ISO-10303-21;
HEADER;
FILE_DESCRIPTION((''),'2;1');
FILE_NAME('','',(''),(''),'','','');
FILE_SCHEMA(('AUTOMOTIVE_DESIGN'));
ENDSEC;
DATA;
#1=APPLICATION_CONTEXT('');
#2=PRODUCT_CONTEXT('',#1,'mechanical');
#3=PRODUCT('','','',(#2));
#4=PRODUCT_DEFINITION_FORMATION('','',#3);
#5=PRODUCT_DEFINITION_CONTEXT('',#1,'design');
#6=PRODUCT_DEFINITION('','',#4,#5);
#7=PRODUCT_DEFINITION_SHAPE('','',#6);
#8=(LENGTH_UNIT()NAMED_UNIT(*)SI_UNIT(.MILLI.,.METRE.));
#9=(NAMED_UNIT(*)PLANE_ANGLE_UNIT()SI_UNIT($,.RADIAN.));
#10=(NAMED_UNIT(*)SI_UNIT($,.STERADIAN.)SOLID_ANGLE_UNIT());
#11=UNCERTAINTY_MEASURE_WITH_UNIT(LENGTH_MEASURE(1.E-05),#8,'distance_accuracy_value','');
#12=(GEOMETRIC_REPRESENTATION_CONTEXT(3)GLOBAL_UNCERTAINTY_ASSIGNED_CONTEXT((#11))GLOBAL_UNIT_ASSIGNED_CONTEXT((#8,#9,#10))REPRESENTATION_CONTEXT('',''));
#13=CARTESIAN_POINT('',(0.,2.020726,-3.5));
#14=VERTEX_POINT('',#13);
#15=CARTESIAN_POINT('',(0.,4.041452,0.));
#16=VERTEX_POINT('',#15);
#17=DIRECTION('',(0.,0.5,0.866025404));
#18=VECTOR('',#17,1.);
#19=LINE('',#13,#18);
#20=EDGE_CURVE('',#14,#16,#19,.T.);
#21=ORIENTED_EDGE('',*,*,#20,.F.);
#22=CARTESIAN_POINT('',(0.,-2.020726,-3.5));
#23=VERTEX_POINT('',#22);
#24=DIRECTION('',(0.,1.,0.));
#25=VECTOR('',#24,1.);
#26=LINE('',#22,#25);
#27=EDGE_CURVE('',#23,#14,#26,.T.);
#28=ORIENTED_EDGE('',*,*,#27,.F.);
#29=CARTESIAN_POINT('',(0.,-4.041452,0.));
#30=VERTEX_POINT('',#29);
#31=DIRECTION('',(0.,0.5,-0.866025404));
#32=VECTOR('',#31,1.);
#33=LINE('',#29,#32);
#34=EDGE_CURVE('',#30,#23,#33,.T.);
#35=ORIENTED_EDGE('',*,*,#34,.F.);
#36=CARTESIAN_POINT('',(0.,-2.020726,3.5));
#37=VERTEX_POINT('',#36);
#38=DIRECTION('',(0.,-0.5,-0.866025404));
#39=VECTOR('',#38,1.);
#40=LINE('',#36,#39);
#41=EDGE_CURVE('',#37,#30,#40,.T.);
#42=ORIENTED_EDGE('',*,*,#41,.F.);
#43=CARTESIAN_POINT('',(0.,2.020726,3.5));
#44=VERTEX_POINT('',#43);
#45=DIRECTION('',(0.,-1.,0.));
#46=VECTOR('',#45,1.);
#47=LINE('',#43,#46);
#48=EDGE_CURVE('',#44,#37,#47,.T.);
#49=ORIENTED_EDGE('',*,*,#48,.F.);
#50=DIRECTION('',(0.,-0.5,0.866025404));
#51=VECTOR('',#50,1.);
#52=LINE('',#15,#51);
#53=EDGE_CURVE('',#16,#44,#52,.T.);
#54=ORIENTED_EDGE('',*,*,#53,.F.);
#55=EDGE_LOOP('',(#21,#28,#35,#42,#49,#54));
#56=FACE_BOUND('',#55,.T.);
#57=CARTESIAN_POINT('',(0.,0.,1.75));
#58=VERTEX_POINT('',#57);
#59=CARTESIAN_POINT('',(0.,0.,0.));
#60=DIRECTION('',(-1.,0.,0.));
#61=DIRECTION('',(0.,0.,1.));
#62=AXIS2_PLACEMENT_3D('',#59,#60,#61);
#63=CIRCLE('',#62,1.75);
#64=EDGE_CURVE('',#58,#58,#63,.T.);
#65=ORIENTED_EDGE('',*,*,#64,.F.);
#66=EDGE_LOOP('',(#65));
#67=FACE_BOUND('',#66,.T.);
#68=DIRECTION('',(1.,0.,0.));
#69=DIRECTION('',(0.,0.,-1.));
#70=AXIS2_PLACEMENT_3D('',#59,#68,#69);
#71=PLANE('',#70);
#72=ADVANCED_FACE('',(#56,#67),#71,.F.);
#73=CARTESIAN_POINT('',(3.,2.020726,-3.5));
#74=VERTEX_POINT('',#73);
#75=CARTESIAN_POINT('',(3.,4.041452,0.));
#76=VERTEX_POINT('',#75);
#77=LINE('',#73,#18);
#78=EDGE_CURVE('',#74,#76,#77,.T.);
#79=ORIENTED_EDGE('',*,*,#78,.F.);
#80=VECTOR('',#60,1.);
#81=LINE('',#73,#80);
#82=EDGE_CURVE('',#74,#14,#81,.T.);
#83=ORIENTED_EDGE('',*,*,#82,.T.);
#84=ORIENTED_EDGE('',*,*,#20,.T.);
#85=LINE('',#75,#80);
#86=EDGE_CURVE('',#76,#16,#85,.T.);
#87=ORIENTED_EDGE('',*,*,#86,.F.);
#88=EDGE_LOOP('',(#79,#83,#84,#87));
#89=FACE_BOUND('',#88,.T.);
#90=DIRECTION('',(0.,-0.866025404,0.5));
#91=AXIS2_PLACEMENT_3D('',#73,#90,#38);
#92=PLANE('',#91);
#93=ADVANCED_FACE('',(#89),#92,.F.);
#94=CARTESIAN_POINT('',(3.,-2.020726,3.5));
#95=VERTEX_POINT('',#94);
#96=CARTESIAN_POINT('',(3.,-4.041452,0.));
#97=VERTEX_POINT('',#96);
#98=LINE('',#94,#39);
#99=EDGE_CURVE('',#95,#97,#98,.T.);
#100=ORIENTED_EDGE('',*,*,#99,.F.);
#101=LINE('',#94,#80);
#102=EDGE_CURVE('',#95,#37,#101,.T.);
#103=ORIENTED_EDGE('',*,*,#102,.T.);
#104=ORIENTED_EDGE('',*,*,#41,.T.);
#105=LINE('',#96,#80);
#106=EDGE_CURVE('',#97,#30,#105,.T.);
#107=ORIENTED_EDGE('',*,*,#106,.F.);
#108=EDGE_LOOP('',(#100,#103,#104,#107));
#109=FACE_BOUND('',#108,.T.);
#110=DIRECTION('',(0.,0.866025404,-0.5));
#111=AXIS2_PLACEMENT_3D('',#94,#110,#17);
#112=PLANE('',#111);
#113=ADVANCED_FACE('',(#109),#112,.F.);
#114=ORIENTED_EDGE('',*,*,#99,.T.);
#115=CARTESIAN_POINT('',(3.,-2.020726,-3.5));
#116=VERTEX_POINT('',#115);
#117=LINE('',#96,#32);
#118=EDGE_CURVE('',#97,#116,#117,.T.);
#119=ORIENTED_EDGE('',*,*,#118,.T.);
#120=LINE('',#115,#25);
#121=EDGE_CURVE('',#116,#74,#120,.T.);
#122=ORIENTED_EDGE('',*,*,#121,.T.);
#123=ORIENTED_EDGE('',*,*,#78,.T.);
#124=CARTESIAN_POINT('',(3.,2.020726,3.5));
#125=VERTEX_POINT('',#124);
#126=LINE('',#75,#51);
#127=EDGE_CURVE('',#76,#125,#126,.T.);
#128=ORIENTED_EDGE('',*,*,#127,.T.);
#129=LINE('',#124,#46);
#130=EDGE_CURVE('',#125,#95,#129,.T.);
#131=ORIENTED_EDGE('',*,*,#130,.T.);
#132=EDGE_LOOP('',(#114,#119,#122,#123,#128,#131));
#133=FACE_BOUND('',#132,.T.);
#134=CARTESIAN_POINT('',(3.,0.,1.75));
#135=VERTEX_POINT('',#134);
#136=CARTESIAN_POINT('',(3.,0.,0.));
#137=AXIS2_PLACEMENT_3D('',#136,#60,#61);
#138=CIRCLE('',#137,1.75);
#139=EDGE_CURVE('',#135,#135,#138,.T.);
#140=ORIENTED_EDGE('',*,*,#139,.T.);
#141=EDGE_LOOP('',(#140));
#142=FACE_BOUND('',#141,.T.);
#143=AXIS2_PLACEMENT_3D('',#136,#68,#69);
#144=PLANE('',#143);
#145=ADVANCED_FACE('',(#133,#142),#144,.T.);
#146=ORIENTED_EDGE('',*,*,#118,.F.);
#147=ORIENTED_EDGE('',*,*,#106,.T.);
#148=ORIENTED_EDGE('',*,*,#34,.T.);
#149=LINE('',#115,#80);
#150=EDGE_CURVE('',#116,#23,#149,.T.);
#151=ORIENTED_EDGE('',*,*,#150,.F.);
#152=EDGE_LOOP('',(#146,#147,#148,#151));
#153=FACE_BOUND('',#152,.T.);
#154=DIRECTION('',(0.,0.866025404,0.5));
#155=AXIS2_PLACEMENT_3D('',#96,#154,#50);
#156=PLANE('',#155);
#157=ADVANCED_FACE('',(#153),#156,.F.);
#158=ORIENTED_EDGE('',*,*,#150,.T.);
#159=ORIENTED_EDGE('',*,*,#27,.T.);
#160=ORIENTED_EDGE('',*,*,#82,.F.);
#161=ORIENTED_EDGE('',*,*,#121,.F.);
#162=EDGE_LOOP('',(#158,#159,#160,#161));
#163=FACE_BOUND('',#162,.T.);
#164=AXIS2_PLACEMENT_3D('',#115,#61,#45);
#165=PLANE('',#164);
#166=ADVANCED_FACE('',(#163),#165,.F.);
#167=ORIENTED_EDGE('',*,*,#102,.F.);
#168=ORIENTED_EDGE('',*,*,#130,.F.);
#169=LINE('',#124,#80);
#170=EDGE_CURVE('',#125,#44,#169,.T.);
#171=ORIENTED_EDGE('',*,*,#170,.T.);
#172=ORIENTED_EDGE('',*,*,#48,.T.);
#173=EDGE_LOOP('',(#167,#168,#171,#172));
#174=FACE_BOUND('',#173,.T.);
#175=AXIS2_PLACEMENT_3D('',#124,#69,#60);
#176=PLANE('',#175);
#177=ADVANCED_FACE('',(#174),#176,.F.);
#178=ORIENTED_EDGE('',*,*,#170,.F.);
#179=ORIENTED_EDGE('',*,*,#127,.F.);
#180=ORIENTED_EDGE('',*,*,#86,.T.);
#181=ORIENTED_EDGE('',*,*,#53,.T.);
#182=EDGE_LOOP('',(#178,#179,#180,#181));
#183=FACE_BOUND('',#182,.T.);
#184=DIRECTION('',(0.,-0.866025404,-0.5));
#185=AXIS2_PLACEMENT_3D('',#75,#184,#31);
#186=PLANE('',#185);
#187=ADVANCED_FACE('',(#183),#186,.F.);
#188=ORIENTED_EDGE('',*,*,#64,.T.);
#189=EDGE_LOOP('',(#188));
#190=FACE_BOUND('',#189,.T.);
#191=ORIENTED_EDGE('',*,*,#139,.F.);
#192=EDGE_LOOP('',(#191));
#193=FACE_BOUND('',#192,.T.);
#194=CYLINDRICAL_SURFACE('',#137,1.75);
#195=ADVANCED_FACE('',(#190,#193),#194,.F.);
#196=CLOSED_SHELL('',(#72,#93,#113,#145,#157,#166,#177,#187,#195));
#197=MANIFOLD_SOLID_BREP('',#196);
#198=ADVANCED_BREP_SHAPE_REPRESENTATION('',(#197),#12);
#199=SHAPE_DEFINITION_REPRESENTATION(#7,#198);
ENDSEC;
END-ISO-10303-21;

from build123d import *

# Parameters (mm, degrees)
HEX_HEAD_DEPTH     = 3
SKETCH2_R          = 1.75
CUT_EXTRUDE1_DEPTH = 3


with BuildPart() as part:
    # Sketch1 → Hex_Head (new body)
    with BuildSketch(Plane(origin=(0, 0, 0), x_dir=(0, 0, -1), z_dir=(1, 0, 0))):
        Polygon((3.5, -2.020725942), (3.5, 2.020725942), (0, 4.041451884), (-3.5, 2.020725942), (-3.5, -2.020725942), (0, -4.041451884), align=None)
    extrude(amount=HEX_HEAD_DEPTH)

    # Sketch2 → Cut-Extrude1 (cut)
    with BuildSketch(Plane.ZY):
        Circle(SKETCH2_R)
    extrude(amount=-CUT_EXTRUDE1_DEPTH, mode=Mode.SUBTRACT)


solid = part.part
